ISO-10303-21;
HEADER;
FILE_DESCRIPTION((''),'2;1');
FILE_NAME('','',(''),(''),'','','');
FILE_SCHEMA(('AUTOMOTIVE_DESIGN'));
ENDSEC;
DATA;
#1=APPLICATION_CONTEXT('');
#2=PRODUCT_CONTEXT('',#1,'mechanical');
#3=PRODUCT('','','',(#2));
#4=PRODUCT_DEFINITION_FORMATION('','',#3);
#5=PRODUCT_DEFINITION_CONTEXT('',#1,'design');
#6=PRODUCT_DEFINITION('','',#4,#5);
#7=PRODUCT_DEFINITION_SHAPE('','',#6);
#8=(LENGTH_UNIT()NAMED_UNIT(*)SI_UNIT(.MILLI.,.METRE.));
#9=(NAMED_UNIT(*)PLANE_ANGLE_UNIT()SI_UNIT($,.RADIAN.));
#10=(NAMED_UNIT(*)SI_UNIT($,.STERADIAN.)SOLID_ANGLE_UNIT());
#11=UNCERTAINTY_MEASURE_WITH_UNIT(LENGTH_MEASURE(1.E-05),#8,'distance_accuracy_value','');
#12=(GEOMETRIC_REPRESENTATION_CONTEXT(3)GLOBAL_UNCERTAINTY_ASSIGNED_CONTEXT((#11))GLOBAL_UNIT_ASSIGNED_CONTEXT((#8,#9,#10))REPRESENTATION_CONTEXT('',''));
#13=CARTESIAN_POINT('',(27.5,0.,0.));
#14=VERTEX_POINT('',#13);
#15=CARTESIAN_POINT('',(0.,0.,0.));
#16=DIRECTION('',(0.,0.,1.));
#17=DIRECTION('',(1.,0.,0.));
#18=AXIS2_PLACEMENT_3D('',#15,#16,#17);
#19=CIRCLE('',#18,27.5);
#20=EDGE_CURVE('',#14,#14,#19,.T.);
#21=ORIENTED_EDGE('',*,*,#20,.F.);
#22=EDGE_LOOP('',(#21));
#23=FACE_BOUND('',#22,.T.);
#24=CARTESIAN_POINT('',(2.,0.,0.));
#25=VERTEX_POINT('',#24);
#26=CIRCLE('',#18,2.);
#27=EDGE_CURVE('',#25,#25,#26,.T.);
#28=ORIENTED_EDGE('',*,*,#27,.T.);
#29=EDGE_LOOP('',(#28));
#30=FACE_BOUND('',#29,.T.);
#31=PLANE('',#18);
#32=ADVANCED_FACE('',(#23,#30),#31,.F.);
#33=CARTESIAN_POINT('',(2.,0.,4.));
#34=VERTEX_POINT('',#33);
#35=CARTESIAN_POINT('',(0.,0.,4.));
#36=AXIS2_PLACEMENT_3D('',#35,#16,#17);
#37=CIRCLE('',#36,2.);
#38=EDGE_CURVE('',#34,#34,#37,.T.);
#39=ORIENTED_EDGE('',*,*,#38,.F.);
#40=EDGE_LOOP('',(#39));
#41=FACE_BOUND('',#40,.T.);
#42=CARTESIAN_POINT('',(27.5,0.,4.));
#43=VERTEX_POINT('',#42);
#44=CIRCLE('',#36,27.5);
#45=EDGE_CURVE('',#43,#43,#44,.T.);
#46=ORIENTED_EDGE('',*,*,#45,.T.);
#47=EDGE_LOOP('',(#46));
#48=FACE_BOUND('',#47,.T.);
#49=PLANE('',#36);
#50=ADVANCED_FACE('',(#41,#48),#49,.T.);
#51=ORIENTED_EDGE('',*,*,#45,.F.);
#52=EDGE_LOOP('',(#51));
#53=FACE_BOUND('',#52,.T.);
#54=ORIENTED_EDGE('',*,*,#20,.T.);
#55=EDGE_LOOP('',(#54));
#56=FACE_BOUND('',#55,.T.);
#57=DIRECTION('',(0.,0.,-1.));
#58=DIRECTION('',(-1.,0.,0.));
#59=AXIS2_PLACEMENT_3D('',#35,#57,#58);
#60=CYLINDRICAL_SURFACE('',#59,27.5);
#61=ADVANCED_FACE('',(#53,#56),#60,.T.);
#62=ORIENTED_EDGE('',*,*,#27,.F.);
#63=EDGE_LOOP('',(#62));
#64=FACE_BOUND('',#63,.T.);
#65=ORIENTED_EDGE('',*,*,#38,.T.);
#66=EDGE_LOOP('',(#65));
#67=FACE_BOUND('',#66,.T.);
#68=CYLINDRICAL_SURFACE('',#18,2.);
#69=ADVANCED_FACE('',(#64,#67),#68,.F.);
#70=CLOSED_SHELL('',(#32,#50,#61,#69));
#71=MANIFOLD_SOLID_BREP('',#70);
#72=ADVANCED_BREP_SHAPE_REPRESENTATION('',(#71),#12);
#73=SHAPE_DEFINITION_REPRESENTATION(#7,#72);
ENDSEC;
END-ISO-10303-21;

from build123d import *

# Parameters (mm, degrees)
ESQUISSE1_R             = 27.5
BOSS_EXTRU_1_DEPTH      = 4
ESQUISSE2_R             = 2
ENL_V_MAT_EXTRU_1_DEPTH = 2


with BuildPart() as part:
    # Esquisse1 → Boss.-Extru.1 (new body)
    with BuildSketch(Plane.XY):
        Circle(ESQUISSE1_R)
    extrude(amount=BOSS_EXTRU_1_DEPTH)

    # Esquisse2 → Enlèv. mat.-Extru.1 (cut, symmetric)
    with BuildSketch(Plane.XY.offset(2)):
        Circle(ESQUISSE2_R)
    extrude(amount=ENL_V_MAT_EXTRU_1_DEPTH, both=True, mode=Mode.SUBTRACT)


solid = part.part
